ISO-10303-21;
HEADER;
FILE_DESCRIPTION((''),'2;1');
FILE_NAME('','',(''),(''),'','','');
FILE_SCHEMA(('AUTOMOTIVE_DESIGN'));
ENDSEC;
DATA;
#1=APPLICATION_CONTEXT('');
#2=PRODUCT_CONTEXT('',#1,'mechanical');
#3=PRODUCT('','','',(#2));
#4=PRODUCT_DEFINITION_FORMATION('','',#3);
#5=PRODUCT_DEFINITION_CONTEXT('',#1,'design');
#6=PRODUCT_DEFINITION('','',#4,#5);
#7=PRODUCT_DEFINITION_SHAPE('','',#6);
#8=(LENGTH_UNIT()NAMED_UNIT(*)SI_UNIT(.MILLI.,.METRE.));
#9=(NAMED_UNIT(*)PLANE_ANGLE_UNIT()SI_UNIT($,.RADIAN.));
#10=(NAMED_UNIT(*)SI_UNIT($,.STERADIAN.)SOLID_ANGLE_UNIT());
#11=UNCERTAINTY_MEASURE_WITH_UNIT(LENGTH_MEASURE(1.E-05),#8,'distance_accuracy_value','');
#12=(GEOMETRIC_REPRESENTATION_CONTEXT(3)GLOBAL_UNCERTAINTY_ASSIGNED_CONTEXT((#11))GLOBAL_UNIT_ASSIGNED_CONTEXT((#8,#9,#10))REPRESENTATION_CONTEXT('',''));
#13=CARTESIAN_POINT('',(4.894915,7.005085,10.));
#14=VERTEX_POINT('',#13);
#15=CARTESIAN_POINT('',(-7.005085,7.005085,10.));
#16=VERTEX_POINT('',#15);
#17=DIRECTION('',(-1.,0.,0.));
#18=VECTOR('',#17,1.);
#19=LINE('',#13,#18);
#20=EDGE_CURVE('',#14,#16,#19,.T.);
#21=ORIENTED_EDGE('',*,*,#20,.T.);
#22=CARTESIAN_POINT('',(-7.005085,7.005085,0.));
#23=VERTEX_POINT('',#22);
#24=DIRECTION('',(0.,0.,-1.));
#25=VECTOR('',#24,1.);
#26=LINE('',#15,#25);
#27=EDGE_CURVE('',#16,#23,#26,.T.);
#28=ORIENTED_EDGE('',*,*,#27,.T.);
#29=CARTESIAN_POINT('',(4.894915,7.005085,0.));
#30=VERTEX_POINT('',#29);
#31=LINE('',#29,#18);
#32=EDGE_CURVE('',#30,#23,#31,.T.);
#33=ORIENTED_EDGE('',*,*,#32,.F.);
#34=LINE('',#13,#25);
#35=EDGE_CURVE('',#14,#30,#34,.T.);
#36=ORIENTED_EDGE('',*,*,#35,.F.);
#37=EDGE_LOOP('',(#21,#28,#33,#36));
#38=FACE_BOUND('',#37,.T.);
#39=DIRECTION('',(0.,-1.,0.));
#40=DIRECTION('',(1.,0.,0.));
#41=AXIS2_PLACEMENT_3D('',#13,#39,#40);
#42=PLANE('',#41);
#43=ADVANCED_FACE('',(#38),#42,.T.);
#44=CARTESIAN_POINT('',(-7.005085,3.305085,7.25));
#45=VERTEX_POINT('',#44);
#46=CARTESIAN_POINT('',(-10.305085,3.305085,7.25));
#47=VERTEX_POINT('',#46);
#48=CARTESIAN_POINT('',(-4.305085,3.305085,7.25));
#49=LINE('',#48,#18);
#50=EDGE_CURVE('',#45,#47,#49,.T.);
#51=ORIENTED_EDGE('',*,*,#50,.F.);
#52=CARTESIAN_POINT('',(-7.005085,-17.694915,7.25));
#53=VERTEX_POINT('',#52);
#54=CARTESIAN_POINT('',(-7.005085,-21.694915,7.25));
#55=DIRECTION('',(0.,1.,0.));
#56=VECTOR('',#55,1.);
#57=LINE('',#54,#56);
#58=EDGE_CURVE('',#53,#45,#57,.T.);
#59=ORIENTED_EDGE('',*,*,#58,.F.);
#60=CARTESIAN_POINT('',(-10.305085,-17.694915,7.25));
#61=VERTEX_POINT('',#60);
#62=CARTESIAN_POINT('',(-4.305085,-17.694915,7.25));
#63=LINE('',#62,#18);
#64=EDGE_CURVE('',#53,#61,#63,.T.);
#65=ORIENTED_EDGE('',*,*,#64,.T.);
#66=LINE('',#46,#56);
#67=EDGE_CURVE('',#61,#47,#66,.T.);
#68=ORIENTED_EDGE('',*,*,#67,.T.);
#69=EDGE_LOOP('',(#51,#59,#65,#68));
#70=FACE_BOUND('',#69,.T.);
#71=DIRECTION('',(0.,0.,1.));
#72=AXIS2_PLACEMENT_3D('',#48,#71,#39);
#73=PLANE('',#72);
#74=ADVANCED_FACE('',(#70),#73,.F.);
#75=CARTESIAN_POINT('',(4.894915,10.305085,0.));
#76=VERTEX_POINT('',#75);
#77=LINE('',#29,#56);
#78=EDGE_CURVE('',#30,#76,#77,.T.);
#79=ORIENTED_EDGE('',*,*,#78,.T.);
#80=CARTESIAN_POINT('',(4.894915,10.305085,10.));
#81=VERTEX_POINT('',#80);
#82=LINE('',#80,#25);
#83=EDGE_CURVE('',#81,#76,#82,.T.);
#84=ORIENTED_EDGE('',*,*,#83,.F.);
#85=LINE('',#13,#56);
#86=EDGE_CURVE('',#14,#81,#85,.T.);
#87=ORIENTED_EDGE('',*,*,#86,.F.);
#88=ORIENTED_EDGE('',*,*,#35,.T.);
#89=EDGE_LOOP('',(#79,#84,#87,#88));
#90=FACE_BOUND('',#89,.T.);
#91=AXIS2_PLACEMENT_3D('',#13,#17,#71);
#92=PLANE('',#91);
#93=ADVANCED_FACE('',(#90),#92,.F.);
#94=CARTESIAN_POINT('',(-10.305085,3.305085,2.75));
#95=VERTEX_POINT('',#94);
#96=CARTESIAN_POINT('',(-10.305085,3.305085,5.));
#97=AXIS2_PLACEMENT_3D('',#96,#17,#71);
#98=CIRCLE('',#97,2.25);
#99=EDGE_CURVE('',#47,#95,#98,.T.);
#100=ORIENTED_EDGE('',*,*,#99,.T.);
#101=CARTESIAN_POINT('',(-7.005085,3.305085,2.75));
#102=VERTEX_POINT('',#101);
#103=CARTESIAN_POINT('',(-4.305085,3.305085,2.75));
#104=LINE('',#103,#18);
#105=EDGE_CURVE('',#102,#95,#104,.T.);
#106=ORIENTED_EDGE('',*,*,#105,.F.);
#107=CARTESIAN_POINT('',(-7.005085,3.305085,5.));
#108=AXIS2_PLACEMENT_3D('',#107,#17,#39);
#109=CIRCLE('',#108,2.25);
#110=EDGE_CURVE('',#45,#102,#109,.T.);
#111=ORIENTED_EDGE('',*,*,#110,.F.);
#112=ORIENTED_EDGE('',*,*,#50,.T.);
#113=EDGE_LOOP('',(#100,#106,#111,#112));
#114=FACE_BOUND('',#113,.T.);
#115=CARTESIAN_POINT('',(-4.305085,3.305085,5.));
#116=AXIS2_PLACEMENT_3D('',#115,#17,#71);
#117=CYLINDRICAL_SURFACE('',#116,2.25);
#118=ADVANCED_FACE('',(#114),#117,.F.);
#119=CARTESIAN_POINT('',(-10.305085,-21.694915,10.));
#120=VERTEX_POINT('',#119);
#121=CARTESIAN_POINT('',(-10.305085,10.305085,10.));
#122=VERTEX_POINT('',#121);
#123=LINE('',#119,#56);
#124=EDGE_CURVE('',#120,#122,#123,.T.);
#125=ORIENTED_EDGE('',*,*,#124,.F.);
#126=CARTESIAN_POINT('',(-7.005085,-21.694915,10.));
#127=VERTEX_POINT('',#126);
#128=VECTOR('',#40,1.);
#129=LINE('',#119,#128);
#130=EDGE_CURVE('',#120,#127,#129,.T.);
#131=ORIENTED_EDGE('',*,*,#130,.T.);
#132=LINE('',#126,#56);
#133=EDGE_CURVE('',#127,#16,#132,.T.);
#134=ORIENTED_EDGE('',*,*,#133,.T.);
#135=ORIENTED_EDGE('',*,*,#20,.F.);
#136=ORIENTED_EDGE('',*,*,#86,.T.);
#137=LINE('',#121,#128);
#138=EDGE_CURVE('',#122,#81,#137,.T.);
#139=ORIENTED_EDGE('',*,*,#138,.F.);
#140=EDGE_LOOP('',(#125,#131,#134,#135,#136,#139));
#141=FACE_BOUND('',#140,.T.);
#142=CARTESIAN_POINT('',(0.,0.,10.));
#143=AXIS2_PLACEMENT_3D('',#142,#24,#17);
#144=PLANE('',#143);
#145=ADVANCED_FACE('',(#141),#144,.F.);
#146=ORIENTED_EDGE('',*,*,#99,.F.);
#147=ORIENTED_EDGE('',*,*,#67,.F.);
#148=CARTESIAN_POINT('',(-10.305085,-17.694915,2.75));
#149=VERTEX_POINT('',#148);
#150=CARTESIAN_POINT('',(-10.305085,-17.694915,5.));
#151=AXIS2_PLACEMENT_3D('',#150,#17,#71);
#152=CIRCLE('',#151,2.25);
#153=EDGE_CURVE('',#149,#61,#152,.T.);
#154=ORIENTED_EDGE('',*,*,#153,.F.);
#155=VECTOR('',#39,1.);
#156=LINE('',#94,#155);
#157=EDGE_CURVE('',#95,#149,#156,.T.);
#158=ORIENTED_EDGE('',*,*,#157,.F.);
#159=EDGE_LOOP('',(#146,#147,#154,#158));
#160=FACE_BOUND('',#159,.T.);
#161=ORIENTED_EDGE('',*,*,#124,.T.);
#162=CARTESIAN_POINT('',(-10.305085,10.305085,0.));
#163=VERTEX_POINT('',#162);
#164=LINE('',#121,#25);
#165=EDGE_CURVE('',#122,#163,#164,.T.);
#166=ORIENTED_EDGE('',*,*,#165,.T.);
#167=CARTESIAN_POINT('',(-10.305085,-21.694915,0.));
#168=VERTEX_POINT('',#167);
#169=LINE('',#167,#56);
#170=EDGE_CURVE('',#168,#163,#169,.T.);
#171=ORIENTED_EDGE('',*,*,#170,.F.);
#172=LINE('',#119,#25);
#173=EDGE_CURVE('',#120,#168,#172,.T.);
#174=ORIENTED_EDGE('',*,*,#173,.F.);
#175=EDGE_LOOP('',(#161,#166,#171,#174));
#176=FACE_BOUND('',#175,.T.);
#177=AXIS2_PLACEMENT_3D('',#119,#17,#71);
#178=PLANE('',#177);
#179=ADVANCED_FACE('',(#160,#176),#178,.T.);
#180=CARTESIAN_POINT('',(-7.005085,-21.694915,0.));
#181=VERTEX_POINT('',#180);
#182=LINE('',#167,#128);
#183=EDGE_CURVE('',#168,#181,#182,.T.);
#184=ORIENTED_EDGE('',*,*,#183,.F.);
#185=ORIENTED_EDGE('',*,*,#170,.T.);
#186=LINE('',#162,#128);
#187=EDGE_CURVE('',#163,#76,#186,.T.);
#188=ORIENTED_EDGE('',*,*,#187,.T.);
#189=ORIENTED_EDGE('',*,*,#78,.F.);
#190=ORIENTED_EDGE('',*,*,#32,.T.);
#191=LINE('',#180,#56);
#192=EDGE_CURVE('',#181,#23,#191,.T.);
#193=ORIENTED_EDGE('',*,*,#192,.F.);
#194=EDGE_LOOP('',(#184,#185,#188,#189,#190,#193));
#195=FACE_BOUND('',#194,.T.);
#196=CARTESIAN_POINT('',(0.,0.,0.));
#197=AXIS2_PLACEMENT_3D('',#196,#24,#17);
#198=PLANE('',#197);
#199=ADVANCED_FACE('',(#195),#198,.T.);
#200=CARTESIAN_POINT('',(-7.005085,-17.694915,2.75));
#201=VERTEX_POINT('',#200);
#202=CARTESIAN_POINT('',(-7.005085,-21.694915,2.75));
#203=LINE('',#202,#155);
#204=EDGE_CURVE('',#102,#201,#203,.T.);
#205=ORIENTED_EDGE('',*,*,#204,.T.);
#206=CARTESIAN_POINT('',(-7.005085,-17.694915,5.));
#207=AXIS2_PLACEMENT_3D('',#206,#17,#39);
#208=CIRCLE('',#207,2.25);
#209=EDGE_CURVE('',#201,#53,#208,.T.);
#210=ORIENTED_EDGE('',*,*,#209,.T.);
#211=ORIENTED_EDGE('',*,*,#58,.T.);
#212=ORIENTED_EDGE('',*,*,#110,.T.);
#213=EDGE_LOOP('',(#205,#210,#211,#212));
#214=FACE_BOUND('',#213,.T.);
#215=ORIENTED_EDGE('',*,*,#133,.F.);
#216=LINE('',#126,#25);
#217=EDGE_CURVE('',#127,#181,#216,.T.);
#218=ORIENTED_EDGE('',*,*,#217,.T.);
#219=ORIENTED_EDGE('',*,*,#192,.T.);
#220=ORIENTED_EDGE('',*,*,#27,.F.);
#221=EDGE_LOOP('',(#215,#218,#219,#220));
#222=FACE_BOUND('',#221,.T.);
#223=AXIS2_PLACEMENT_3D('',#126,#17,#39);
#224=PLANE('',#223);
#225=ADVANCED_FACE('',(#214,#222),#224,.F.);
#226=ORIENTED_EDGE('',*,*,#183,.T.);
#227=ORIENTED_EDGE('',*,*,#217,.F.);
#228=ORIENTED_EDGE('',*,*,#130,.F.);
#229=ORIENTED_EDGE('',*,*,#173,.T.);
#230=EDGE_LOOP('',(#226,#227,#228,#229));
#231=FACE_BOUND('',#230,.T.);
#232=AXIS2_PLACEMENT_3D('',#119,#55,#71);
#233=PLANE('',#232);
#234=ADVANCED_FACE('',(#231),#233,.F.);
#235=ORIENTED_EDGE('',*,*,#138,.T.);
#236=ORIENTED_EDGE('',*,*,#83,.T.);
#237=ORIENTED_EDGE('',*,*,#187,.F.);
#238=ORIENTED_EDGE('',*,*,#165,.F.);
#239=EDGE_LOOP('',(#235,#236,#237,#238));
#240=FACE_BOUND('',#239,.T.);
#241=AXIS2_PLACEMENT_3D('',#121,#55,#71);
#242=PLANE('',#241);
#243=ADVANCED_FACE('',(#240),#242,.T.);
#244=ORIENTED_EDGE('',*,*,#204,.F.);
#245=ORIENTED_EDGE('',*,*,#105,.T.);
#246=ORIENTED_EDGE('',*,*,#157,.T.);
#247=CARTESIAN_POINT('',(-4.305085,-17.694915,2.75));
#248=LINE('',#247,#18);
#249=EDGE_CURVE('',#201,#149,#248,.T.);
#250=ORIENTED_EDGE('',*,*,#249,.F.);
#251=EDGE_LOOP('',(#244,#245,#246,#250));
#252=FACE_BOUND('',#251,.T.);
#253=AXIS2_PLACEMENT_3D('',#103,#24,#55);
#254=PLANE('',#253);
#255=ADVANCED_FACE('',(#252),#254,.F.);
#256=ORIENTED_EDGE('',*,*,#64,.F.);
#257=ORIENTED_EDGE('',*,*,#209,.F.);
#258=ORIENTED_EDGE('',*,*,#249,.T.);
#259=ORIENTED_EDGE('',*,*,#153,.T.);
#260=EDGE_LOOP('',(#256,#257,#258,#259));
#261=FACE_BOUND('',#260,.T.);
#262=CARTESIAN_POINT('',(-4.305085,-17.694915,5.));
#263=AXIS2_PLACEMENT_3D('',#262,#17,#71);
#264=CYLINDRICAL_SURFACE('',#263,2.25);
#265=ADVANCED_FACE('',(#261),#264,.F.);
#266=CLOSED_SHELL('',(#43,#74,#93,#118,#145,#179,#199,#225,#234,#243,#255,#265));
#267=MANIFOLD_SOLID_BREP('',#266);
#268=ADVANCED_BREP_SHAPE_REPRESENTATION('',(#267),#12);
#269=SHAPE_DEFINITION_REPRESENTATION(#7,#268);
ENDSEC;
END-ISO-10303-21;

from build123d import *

# Parameters (mm, degrees)
BOSS_EXTRUDE1_DEPTH = 10
CUT_EXTRUDE1_DEPTH  = 6


with BuildPart() as part:
    # Sketch1 → Boss-Extrude1 (new body)
    with BuildSketch(Plane.XY):
        Polygon((-10.305084746, -21.694915254), (-7.005084746, -21.694915254), (-7.005084746, 7.005084746), (4.894915254, 7.005084746), (4.894915254, 10.305084746), (-10.305084746, 10.305084746), align=None)
    extrude(amount=BOSS_EXTRUDE1_DEPTH)

    # Sketch2 → Cut-Extrude1 (cut)
    with BuildSketch(Plane.ZY.offset(10.305084746)):
        with BuildLine():
            Line((2.75, 3.305084746), (2.75, -17.694915254))
            ThreePointArc((2.75, -17.694915254), (5, -19.944915254), (7.25, -17.694915254))
            Line((7.25, -17.694915254), (7.25, 3.305084746))
            ThreePointArc((7.25, 3.305084746), (5, 5.555084746), (2.75, 3.305084746))
        make_face()
    extrude(amount=-CUT_EXTRUDE1_DEPTH, mode=Mode.SUBTRACT)


solid = part.part
